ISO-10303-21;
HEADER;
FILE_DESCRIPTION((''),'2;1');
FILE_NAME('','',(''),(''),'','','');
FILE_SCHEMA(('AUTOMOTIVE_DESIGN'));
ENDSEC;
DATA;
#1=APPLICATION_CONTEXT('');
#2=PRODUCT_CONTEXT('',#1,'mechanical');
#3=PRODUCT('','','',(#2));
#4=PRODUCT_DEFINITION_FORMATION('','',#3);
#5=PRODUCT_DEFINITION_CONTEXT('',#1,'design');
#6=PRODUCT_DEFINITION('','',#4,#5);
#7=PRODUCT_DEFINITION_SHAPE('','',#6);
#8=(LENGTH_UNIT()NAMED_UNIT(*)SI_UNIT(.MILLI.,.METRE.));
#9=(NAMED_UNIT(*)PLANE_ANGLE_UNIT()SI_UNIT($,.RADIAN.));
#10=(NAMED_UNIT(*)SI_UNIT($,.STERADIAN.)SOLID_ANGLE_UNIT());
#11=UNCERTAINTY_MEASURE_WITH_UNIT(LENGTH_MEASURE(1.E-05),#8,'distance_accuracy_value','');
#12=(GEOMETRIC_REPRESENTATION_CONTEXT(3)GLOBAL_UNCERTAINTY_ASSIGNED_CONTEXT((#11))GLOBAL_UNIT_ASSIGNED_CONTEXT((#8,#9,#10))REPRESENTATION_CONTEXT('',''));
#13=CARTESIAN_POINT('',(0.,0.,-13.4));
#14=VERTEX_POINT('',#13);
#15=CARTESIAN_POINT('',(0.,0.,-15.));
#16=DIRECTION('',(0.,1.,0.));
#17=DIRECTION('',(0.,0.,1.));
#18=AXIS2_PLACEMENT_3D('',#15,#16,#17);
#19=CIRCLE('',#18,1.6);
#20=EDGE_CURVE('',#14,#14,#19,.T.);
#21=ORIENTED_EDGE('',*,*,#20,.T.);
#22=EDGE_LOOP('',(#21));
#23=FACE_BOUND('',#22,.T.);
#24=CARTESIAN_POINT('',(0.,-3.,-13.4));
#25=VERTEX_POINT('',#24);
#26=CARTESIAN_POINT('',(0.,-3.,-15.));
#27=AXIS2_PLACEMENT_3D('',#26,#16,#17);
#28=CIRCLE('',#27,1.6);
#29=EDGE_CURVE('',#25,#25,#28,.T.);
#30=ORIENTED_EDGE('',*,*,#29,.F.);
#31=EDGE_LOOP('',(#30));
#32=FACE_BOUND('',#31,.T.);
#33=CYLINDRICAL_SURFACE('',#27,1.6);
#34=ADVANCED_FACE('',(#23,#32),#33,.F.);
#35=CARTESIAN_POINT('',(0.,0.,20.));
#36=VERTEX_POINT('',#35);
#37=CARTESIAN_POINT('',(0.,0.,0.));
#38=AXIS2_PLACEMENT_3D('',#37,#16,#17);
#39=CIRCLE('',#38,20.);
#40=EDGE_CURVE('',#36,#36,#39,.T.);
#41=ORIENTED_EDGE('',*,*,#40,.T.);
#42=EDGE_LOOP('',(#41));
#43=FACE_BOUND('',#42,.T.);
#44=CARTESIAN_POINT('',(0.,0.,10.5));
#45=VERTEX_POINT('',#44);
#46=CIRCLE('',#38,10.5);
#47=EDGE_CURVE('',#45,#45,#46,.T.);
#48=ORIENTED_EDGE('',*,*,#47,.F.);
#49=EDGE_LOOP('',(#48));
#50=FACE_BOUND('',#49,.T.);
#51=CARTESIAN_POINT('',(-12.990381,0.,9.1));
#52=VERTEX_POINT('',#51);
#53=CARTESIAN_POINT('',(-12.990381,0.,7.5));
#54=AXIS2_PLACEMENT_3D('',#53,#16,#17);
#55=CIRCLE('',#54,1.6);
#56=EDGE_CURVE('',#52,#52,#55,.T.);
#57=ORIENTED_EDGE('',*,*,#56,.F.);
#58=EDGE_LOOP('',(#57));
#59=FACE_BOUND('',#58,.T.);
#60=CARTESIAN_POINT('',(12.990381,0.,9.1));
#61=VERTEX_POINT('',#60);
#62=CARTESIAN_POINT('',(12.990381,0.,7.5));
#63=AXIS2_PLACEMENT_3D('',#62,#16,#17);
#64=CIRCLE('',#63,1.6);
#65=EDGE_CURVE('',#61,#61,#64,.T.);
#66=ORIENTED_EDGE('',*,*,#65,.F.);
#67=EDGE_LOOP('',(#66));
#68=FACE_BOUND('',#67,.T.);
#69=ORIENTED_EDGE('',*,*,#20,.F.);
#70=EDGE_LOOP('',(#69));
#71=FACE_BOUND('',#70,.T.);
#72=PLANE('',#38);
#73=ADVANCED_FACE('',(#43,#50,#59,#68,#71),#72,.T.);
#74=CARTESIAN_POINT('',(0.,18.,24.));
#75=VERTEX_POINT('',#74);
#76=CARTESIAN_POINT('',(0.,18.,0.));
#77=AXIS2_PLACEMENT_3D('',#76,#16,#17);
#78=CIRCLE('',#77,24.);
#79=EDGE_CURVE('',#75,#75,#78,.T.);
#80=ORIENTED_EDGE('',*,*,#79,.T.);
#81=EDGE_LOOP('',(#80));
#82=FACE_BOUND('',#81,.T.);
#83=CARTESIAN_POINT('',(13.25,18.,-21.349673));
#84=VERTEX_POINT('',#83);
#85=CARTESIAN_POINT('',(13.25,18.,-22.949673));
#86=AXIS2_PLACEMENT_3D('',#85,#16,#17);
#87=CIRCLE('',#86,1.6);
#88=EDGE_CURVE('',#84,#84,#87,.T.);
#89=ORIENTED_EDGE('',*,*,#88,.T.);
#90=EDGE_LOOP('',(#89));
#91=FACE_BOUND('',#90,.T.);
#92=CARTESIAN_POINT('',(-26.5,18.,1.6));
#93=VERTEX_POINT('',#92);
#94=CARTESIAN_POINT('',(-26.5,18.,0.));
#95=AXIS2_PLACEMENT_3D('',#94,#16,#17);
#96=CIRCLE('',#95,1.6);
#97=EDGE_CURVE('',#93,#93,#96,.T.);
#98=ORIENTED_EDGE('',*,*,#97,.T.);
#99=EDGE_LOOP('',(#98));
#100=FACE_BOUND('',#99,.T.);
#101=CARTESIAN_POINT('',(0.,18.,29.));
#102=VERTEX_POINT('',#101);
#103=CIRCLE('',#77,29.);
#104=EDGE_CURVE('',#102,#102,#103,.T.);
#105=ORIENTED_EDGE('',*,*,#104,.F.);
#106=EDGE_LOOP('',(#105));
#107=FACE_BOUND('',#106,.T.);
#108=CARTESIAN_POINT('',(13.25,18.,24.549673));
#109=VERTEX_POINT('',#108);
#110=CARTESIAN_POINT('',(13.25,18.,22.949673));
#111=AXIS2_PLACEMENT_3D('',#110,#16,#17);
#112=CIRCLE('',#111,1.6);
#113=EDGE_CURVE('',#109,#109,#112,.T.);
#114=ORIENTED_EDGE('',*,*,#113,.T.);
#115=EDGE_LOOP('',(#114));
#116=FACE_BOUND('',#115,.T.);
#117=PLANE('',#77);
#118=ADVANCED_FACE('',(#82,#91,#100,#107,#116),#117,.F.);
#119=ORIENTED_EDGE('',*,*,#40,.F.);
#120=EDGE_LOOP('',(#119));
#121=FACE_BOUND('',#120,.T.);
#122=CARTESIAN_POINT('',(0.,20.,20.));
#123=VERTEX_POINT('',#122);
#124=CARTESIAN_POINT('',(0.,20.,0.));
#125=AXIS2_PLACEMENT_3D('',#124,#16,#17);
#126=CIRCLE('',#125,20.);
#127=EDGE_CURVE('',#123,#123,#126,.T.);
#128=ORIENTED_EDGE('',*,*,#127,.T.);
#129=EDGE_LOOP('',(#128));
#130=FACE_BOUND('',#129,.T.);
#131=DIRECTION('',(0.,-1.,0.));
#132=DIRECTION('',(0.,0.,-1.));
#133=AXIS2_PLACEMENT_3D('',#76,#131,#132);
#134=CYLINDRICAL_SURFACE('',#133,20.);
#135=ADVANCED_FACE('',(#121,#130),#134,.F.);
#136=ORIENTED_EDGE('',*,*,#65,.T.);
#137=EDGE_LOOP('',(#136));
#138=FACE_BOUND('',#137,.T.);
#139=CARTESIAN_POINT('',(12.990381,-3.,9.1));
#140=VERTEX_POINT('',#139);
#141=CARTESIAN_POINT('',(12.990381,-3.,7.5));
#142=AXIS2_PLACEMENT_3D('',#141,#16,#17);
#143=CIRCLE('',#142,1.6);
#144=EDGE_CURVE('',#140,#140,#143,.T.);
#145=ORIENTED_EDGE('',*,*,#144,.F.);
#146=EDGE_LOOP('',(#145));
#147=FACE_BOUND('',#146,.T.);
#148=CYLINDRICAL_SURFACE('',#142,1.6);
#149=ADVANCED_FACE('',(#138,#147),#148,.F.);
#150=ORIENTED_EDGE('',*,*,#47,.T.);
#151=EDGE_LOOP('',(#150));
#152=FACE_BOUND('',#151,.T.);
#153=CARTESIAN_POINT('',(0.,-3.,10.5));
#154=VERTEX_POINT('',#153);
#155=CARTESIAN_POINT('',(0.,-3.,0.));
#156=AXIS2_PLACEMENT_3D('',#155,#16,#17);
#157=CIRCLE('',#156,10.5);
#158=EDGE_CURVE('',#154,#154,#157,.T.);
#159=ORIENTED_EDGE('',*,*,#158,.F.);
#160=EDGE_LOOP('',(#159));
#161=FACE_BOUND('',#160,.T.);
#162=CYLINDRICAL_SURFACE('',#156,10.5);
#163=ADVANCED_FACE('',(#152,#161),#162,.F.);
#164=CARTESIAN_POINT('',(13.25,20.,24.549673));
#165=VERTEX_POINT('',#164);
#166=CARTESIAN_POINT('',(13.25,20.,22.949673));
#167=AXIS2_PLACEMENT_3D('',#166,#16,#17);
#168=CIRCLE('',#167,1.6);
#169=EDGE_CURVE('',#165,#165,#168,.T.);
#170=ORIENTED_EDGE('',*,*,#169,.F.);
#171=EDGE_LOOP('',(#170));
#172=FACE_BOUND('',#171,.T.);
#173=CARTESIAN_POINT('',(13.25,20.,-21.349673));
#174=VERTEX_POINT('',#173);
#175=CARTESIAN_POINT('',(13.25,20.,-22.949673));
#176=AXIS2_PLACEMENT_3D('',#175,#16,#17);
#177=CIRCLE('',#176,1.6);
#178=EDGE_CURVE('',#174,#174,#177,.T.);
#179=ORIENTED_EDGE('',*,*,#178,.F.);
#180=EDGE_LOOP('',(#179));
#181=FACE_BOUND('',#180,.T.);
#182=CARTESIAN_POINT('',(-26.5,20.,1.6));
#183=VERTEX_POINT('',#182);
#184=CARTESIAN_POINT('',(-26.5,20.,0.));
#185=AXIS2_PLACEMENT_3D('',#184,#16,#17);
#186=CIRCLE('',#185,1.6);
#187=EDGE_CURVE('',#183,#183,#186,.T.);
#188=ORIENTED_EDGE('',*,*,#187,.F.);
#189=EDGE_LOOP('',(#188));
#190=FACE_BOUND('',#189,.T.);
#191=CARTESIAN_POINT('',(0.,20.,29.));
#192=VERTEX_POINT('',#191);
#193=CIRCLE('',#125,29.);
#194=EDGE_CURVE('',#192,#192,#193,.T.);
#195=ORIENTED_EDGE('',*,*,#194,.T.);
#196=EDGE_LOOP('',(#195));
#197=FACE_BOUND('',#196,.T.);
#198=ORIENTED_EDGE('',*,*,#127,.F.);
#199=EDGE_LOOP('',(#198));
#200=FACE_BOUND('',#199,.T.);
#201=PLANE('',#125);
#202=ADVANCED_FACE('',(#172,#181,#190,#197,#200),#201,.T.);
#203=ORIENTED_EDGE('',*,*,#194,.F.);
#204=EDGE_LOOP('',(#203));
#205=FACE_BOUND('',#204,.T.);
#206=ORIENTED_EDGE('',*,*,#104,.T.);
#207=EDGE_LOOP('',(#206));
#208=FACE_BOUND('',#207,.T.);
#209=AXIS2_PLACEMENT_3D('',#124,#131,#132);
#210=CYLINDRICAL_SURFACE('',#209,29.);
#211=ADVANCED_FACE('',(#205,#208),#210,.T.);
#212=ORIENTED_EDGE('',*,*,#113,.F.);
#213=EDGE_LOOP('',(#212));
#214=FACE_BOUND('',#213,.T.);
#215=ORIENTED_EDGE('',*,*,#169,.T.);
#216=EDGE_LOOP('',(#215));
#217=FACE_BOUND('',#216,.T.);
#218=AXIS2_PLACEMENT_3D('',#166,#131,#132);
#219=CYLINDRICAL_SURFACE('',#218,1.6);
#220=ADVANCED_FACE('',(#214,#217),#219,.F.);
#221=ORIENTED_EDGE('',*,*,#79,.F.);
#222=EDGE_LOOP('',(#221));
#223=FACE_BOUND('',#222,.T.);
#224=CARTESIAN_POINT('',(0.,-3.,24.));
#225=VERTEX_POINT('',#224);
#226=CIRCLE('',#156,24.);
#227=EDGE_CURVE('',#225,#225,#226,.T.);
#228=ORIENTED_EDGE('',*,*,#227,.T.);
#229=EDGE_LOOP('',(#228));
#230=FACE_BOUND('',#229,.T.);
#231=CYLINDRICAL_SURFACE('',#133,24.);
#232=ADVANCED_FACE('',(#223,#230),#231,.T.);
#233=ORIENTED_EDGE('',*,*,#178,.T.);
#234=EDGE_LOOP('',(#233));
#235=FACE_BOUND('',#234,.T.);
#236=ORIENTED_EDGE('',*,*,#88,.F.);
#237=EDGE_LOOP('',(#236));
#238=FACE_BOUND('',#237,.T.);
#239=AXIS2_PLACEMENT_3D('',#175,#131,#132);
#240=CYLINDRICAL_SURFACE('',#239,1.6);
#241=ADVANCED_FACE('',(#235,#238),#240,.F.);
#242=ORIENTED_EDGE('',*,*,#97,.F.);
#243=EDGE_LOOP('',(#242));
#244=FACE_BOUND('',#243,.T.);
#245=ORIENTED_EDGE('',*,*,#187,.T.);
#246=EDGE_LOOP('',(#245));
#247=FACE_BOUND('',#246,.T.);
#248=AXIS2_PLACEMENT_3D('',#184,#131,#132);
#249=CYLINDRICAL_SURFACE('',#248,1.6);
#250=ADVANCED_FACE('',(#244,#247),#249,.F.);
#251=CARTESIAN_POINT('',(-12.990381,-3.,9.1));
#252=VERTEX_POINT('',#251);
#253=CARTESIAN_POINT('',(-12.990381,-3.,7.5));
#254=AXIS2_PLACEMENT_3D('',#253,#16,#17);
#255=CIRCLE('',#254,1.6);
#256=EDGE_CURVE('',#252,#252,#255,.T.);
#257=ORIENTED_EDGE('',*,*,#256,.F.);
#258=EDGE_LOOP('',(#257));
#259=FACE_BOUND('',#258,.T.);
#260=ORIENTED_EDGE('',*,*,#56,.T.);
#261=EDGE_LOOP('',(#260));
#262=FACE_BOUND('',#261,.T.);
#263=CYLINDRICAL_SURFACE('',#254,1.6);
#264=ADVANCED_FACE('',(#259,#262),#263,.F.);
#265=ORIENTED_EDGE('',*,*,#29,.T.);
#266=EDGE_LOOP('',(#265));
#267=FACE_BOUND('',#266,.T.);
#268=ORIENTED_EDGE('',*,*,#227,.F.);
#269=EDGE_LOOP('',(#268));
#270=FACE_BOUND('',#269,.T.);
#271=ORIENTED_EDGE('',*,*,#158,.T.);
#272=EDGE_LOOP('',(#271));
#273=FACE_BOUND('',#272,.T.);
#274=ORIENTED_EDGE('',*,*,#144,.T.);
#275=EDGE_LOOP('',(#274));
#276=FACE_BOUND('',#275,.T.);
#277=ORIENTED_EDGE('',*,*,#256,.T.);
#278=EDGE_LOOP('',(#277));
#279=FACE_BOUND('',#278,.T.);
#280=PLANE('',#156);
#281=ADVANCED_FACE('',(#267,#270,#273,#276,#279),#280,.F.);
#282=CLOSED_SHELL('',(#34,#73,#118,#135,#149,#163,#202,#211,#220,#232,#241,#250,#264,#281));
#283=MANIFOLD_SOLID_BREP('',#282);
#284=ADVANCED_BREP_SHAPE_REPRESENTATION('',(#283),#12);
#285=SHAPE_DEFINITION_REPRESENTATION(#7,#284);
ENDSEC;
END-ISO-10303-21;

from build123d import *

# Parameters (mm, degrees)
SKETCH1_R           = 24
SKETCH1_R_2         = 20
BOSS_EXTRUDE1_DEPTH = 18
BOSS_EXTRUDE2_START = -3
SKETCH2_R           = 24
SKETCH2_R_2         = 10.5
SKETCH2_R_3         = 1.6
BOSS_EXTRUDE2_DEPTH = 3
SKETCH3_R           = 29
SKETCH3_R_2         = 20
SKETCH3_R_3         = 1.6
BOSS_EXTRUDE3_DEPTH = 2


with BuildPart() as part:
    # Sketch1 → Boss-Extrude1 (new body)
    with BuildSketch(Plane(origin=(0, 0, 0), x_dir=(1, 0, 0), z_dir=(0, 1, 0))):
        with Locations(Location((0, 0, 0), (0, 0, 270))):
            Circle(SKETCH1_R)
        with Locations(Location((0, 0, 0), (0, 0, 270))):
            Circle(SKETCH1_R_2, mode=Mode.SUBTRACT)
    extrude(amount=BOSS_EXTRUDE1_DEPTH)

    # Sketch2 → Boss-Extrude2 (add)
    with BuildSketch(Plane(origin=(0, 0, 0), x_dir=(1, 0, 0), z_dir=(0, 1, 0)).offset(BOSS_EXTRUDE2_START)):
        with Locations(Location((0, 0, 0), (0, 0, 270))):
            Circle(SKETCH2_R)
        with Locations(Location((0, 0, 0), (0, 0, 270))):
            Circle(SKETCH2_R_2, mode=Mode.SUBTRACT)
        with Locations(Location((0, 15, 0), (0, 0, 270))):
            Circle(SKETCH2_R_3, mode=Mode.SUBTRACT)
        with Locations(Location((12.990381057, -7.5, 0), (0, 0, 270))):
            Circle(SKETCH2_R_3, mode=Mode.SUBTRACT)
        with Locations(Location((-12.990381057, -7.5, 0), (0, 0, 270))):
            Circle(SKETCH2_R_3, mode=Mode.SUBTRACT)
    extrude(amount=BOSS_EXTRUDE2_DEPTH)

    # Sketch3 → Boss-Extrude3 (add)
    with BuildSketch(Plane(origin=(0, 18, 0), x_dir=(1, 0, 0), z_dir=(0, 1, 0))):
        with Locations(Location((0, 0, 0), (0, 0, 270))):
            Circle(SKETCH3_R)
        with Locations(Location((0, 0, 0), (0, 0, 270))):
            Circle(SKETCH3_R_2, mode=Mode.SUBTRACT)
        with Locations(Location((-26.5, 0, 0), (0, 0, 270))):
            Circle(SKETCH3_R_3, mode=Mode.SUBTRACT)
        with Locations(Location((13.25, 22.9496732, 0), (0, 0, 270))):
            Circle(SKETCH3_R_3, mode=Mode.SUBTRACT)
        with Locations(Location((13.25, -22.9496732, 0), (0, 0, 270))):
            Circle(SKETCH3_R_3, mode=Mode.SUBTRACT)
    extrude(amount=BOSS_EXTRUDE3_DEPTH)


solid = part.part
